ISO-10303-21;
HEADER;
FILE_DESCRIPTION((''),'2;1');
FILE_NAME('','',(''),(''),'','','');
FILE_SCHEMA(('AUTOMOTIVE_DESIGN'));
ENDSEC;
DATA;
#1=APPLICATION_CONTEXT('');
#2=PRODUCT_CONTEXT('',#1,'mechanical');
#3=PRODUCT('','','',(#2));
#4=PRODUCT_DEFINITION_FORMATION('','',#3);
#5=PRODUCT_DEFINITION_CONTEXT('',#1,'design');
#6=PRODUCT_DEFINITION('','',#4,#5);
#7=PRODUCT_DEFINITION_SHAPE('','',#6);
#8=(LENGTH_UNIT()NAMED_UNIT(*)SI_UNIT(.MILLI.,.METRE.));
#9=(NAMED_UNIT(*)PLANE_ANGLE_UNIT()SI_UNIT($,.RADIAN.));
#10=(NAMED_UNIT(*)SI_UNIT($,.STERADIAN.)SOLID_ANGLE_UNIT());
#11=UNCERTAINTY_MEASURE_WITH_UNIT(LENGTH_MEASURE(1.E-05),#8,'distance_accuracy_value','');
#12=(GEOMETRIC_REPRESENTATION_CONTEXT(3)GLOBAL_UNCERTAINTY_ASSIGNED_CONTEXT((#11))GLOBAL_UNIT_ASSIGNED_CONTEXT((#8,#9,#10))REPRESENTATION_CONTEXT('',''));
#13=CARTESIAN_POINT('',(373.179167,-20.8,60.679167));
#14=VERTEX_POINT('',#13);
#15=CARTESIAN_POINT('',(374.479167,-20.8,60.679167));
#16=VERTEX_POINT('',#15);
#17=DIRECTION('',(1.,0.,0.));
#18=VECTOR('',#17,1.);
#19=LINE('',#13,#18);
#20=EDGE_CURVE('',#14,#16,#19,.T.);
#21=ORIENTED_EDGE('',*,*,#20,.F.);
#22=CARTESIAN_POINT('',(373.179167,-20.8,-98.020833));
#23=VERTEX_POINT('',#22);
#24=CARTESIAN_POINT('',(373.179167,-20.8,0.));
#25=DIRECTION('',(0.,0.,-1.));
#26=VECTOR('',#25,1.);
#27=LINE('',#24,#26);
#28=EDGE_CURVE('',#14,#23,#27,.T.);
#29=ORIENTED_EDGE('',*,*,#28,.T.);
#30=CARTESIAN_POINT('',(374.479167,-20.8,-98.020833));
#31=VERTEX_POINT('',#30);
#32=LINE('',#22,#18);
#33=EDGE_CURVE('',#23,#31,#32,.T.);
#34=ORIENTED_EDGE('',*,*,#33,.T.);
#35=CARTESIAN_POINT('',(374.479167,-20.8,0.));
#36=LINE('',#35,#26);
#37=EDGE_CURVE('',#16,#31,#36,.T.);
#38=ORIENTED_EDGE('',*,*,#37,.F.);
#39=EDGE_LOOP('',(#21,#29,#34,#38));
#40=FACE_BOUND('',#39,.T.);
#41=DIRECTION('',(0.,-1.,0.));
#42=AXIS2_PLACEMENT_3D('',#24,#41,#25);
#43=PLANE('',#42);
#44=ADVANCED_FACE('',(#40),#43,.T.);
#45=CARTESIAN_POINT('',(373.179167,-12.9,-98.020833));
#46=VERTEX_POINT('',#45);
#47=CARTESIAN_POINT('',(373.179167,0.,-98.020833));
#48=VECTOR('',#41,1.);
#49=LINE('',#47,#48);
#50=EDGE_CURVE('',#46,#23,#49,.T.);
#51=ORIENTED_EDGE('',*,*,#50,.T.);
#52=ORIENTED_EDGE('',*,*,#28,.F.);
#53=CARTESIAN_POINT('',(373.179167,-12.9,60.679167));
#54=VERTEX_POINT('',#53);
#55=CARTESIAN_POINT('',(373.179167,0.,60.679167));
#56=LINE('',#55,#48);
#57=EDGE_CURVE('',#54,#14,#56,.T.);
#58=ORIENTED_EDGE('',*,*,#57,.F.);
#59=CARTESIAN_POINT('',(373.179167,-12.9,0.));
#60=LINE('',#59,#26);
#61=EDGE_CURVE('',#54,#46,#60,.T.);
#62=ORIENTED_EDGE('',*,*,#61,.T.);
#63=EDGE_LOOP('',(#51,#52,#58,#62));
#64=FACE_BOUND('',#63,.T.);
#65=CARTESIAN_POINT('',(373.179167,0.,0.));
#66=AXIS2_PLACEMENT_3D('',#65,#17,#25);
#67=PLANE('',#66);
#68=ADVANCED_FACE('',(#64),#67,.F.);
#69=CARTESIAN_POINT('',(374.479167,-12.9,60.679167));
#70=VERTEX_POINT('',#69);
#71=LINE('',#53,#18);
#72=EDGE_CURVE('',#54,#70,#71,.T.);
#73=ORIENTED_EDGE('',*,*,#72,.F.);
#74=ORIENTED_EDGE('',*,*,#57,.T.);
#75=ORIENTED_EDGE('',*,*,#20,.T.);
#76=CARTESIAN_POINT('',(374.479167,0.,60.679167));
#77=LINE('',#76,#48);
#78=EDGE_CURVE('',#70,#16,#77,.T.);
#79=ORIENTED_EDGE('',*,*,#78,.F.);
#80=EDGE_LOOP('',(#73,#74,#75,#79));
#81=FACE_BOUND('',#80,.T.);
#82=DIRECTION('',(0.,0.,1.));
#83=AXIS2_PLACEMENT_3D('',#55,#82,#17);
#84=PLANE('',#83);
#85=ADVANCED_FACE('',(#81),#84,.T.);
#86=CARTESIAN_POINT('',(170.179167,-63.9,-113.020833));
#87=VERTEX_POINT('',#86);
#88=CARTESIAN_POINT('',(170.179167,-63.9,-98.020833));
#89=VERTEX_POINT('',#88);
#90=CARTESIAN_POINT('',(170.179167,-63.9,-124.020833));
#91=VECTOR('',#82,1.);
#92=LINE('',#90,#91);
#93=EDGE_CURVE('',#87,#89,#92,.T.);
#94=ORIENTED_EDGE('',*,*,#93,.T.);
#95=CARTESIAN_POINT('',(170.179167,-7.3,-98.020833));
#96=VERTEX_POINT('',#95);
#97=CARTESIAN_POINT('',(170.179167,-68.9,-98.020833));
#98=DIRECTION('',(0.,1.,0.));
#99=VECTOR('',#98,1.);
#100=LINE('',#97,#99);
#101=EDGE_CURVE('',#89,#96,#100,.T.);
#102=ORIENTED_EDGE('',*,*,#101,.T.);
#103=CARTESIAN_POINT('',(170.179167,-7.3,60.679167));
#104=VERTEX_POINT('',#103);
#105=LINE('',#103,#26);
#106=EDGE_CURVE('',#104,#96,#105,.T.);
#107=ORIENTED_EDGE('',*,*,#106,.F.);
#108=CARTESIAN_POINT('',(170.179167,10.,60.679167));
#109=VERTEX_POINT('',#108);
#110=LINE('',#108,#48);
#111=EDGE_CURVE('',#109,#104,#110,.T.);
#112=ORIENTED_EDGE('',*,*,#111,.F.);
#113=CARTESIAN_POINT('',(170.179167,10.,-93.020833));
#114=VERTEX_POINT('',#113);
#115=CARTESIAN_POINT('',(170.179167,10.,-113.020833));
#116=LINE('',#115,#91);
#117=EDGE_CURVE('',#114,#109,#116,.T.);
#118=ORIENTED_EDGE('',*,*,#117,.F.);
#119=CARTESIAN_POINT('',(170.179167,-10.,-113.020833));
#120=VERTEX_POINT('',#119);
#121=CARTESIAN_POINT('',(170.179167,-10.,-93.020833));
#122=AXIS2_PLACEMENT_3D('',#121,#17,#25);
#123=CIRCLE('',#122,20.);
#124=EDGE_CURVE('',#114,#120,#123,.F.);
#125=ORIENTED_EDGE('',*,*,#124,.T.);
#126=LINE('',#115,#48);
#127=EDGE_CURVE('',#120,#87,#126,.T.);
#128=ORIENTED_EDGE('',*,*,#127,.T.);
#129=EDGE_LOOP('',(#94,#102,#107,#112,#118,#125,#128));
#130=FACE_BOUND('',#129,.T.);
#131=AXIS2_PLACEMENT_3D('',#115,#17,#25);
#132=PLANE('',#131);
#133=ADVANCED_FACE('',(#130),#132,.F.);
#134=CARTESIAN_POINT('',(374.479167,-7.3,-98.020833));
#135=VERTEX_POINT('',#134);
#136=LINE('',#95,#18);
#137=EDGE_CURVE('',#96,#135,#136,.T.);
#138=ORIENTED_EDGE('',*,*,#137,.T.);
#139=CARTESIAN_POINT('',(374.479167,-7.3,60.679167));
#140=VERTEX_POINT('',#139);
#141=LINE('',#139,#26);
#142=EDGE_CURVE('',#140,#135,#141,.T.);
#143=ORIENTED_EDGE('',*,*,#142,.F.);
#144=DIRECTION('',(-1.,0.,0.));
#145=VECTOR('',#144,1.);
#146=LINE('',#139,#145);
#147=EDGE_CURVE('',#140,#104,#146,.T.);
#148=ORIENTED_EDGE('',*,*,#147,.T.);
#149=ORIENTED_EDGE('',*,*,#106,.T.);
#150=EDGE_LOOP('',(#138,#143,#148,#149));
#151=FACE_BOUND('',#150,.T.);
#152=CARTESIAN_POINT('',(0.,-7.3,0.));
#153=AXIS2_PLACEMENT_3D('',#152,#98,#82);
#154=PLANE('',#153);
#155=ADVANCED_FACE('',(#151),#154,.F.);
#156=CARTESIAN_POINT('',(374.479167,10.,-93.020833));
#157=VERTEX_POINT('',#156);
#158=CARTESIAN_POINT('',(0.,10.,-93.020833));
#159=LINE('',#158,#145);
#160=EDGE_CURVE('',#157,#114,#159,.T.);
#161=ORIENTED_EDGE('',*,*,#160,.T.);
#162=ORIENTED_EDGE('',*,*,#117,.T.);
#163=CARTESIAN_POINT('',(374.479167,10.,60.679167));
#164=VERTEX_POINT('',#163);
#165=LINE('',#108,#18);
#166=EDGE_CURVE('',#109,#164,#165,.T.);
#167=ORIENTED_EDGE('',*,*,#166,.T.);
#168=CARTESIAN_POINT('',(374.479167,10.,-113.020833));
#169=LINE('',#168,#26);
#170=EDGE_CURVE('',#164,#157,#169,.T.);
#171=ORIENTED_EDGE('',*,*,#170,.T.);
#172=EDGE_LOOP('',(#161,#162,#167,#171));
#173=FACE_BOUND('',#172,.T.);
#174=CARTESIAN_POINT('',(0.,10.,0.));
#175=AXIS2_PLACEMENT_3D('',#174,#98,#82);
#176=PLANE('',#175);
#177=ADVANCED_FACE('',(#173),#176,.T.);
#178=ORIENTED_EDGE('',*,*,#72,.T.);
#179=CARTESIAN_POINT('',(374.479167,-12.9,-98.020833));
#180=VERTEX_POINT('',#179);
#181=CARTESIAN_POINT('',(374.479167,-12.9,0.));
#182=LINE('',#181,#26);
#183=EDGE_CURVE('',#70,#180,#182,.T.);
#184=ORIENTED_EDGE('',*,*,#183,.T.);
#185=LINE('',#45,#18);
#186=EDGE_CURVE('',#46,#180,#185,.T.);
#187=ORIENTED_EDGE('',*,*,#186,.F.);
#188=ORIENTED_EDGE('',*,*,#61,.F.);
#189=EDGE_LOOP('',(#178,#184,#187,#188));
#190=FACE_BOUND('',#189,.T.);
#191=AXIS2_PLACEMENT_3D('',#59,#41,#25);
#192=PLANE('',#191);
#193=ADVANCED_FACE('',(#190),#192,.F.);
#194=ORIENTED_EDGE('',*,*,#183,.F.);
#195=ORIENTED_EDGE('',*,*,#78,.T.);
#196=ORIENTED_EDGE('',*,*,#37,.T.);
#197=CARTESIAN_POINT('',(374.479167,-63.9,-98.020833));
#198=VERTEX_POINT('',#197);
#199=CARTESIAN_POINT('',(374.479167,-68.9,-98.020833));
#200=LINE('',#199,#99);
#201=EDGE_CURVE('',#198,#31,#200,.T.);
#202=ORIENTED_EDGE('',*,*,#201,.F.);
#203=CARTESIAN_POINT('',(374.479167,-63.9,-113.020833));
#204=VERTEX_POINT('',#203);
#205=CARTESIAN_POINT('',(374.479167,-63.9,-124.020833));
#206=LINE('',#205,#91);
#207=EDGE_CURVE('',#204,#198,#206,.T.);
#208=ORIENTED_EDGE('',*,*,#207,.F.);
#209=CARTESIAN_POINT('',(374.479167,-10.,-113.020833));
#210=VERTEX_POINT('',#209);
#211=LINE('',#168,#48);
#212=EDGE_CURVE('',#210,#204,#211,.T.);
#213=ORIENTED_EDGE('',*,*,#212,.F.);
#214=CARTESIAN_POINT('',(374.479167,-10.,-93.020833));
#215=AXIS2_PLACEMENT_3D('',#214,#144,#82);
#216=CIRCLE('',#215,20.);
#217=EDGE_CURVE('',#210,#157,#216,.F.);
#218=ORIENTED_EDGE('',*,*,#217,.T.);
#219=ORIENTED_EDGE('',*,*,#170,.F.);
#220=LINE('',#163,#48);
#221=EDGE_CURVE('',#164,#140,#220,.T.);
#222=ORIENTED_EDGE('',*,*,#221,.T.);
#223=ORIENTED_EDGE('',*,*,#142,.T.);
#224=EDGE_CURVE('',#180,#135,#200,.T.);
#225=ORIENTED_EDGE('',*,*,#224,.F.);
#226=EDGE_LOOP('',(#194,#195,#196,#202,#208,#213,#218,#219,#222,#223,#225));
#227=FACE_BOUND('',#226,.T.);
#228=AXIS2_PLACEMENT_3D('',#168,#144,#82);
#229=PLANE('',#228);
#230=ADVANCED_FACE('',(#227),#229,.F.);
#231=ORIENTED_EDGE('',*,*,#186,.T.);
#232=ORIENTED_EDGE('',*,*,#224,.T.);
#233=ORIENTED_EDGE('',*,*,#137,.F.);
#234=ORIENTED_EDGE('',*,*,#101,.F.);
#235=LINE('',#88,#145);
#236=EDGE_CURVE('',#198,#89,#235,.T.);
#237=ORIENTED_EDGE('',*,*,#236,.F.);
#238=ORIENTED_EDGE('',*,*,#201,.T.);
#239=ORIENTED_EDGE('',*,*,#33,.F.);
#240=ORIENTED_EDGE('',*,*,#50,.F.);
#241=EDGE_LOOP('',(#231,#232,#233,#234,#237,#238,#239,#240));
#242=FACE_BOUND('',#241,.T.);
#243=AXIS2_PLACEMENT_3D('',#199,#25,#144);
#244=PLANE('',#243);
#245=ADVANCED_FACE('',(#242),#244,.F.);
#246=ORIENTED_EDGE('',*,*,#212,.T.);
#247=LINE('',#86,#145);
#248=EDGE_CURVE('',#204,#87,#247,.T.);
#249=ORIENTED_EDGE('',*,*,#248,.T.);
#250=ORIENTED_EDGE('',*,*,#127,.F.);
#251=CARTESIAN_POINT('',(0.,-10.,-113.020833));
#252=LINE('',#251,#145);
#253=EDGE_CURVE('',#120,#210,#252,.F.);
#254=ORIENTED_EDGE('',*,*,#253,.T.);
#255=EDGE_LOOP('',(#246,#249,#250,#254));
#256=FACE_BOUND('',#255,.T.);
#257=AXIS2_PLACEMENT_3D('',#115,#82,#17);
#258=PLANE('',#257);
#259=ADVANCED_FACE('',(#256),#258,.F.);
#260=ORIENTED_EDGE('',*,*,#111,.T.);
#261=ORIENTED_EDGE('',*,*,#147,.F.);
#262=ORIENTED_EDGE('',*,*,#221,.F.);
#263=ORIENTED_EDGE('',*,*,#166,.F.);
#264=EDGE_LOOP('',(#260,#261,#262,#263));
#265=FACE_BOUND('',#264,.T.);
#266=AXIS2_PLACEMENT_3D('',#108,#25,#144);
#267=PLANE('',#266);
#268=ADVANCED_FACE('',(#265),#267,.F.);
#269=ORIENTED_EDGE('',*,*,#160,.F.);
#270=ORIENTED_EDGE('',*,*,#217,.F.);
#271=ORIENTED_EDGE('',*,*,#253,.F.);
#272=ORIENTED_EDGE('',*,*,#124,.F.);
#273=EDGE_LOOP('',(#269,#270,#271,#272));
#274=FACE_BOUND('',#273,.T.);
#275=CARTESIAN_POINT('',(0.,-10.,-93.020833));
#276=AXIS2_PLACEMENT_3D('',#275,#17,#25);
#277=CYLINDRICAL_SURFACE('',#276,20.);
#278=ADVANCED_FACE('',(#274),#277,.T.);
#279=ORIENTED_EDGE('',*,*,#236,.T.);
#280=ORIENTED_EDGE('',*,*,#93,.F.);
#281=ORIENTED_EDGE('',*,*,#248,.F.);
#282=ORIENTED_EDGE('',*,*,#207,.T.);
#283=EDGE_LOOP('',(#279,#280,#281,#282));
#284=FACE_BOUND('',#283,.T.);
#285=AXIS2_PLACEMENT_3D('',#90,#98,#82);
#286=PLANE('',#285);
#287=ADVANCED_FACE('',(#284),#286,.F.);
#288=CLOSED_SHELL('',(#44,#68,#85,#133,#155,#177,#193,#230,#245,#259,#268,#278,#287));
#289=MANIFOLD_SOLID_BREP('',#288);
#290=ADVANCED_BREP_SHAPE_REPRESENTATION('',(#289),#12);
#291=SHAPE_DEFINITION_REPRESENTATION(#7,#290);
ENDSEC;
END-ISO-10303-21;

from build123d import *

# Parameters (mm, degrees)
SKETCH1_W           = 204.3
SKETCH1_H           = 173.7
BOSS_EXTRUDE2_DEPTH = 10
SKETCH4_W           = 204.3
SKETCH4_H           = 15
BOSS_EXTRUDE4_DEPTH = 68.9
SKETCH6_W           = 204.3
SKETCH6_H           = 5
CUT_EXTRUDE1_DEPTH  = 26
SKETCH5_W           = 204.3
SKETCH5_H           = 15
BOSS_EXTRUDE6_DEPTH = 7.3
FILLET1_R           = 20
SKETCH7_W           = 143.7
SKETCH7_H           = 7.3
BOSS_EXTRUDE7_DEPTH = 204.3
SKETCH9_W           = 158.7
SKETCH9_H           = 7.9
BOSS_EXTRUDE9_DEPTH = 1.3


with BuildPart() as part:
    # Sketch1 → Boss-Extrude2 (new body)
    with BuildSketch(Plane(origin=(0, 0, 0), x_dir=(1, 0, 0), z_dir=(0, 1, 0))):
        with Locations((272.329166667, 26.170833333)):
            Rectangle(SKETCH1_W, SKETCH1_H)
    extrude(amount=BOSS_EXTRUDE2_DEPTH)

    # Sketch4 → Boss-Extrude4 (add)
    with BuildSketch(Plane(origin=(0, 0, 0), x_dir=(-1, 0, 0), z_dir=(0, -1, 0))):
        with Locations((-272.329166667, 105.520833333)):
            Rectangle(SKETCH4_W, SKETCH4_H)
    extrude(amount=BOSS_EXTRUDE4_DEPTH)

    # Sketch6 → Cut-Extrude1 (cut)
    with BuildSketch(Plane.XY.offset(-98.020833333)):
        with Locations((272.329166667, -66.4)):
            Rectangle(SKETCH6_W, SKETCH6_H)
    extrude(amount=-CUT_EXTRUDE1_DEPTH, mode=Mode.SUBTRACT)

    # Sketch5 → Boss-Extrude6 (add)
    with BuildSketch(Plane.XZ):
        with Locations((272.329166667, 53.179166667)):
            Rectangle(SKETCH5_W, SKETCH5_H)
    extrude(amount=BOSS_EXTRUDE6_DEPTH)

    # Fillet1
    fillet1_edges = [part.edges().sort_by_distance(p)[0] for p in [
        (272.329166667, 10, -113.020833333),
    ]]
    fillet(fillet1_edges, radius=FILLET1_R)

    # Sketch7 → Boss-Extrude7 (add)
    with BuildSketch(Plane(origin=(374.479166667, 0, 0), x_dir=(0, 0, -1), z_dir=(1, 0, 0))):
        with Locations((26.170833333, -3.65)):
            Rectangle(SKETCH7_W, SKETCH7_H)
    extrude(amount=-BOSS_EXTRUDE7_DEPTH)

    # Sketch9 → Boss-Extrude9 (add)
    with BuildSketch(Plane(origin=(374.479166667, 0, 0), x_dir=(0, 0, -1), z_dir=(1, 0, 0))):
        with Locations((18.670833333, -16.85)):
            Rectangle(SKETCH9_W, SKETCH9_H)
    extrude(amount=-BOSS_EXTRUDE9_DEPTH)


solid = part.part
